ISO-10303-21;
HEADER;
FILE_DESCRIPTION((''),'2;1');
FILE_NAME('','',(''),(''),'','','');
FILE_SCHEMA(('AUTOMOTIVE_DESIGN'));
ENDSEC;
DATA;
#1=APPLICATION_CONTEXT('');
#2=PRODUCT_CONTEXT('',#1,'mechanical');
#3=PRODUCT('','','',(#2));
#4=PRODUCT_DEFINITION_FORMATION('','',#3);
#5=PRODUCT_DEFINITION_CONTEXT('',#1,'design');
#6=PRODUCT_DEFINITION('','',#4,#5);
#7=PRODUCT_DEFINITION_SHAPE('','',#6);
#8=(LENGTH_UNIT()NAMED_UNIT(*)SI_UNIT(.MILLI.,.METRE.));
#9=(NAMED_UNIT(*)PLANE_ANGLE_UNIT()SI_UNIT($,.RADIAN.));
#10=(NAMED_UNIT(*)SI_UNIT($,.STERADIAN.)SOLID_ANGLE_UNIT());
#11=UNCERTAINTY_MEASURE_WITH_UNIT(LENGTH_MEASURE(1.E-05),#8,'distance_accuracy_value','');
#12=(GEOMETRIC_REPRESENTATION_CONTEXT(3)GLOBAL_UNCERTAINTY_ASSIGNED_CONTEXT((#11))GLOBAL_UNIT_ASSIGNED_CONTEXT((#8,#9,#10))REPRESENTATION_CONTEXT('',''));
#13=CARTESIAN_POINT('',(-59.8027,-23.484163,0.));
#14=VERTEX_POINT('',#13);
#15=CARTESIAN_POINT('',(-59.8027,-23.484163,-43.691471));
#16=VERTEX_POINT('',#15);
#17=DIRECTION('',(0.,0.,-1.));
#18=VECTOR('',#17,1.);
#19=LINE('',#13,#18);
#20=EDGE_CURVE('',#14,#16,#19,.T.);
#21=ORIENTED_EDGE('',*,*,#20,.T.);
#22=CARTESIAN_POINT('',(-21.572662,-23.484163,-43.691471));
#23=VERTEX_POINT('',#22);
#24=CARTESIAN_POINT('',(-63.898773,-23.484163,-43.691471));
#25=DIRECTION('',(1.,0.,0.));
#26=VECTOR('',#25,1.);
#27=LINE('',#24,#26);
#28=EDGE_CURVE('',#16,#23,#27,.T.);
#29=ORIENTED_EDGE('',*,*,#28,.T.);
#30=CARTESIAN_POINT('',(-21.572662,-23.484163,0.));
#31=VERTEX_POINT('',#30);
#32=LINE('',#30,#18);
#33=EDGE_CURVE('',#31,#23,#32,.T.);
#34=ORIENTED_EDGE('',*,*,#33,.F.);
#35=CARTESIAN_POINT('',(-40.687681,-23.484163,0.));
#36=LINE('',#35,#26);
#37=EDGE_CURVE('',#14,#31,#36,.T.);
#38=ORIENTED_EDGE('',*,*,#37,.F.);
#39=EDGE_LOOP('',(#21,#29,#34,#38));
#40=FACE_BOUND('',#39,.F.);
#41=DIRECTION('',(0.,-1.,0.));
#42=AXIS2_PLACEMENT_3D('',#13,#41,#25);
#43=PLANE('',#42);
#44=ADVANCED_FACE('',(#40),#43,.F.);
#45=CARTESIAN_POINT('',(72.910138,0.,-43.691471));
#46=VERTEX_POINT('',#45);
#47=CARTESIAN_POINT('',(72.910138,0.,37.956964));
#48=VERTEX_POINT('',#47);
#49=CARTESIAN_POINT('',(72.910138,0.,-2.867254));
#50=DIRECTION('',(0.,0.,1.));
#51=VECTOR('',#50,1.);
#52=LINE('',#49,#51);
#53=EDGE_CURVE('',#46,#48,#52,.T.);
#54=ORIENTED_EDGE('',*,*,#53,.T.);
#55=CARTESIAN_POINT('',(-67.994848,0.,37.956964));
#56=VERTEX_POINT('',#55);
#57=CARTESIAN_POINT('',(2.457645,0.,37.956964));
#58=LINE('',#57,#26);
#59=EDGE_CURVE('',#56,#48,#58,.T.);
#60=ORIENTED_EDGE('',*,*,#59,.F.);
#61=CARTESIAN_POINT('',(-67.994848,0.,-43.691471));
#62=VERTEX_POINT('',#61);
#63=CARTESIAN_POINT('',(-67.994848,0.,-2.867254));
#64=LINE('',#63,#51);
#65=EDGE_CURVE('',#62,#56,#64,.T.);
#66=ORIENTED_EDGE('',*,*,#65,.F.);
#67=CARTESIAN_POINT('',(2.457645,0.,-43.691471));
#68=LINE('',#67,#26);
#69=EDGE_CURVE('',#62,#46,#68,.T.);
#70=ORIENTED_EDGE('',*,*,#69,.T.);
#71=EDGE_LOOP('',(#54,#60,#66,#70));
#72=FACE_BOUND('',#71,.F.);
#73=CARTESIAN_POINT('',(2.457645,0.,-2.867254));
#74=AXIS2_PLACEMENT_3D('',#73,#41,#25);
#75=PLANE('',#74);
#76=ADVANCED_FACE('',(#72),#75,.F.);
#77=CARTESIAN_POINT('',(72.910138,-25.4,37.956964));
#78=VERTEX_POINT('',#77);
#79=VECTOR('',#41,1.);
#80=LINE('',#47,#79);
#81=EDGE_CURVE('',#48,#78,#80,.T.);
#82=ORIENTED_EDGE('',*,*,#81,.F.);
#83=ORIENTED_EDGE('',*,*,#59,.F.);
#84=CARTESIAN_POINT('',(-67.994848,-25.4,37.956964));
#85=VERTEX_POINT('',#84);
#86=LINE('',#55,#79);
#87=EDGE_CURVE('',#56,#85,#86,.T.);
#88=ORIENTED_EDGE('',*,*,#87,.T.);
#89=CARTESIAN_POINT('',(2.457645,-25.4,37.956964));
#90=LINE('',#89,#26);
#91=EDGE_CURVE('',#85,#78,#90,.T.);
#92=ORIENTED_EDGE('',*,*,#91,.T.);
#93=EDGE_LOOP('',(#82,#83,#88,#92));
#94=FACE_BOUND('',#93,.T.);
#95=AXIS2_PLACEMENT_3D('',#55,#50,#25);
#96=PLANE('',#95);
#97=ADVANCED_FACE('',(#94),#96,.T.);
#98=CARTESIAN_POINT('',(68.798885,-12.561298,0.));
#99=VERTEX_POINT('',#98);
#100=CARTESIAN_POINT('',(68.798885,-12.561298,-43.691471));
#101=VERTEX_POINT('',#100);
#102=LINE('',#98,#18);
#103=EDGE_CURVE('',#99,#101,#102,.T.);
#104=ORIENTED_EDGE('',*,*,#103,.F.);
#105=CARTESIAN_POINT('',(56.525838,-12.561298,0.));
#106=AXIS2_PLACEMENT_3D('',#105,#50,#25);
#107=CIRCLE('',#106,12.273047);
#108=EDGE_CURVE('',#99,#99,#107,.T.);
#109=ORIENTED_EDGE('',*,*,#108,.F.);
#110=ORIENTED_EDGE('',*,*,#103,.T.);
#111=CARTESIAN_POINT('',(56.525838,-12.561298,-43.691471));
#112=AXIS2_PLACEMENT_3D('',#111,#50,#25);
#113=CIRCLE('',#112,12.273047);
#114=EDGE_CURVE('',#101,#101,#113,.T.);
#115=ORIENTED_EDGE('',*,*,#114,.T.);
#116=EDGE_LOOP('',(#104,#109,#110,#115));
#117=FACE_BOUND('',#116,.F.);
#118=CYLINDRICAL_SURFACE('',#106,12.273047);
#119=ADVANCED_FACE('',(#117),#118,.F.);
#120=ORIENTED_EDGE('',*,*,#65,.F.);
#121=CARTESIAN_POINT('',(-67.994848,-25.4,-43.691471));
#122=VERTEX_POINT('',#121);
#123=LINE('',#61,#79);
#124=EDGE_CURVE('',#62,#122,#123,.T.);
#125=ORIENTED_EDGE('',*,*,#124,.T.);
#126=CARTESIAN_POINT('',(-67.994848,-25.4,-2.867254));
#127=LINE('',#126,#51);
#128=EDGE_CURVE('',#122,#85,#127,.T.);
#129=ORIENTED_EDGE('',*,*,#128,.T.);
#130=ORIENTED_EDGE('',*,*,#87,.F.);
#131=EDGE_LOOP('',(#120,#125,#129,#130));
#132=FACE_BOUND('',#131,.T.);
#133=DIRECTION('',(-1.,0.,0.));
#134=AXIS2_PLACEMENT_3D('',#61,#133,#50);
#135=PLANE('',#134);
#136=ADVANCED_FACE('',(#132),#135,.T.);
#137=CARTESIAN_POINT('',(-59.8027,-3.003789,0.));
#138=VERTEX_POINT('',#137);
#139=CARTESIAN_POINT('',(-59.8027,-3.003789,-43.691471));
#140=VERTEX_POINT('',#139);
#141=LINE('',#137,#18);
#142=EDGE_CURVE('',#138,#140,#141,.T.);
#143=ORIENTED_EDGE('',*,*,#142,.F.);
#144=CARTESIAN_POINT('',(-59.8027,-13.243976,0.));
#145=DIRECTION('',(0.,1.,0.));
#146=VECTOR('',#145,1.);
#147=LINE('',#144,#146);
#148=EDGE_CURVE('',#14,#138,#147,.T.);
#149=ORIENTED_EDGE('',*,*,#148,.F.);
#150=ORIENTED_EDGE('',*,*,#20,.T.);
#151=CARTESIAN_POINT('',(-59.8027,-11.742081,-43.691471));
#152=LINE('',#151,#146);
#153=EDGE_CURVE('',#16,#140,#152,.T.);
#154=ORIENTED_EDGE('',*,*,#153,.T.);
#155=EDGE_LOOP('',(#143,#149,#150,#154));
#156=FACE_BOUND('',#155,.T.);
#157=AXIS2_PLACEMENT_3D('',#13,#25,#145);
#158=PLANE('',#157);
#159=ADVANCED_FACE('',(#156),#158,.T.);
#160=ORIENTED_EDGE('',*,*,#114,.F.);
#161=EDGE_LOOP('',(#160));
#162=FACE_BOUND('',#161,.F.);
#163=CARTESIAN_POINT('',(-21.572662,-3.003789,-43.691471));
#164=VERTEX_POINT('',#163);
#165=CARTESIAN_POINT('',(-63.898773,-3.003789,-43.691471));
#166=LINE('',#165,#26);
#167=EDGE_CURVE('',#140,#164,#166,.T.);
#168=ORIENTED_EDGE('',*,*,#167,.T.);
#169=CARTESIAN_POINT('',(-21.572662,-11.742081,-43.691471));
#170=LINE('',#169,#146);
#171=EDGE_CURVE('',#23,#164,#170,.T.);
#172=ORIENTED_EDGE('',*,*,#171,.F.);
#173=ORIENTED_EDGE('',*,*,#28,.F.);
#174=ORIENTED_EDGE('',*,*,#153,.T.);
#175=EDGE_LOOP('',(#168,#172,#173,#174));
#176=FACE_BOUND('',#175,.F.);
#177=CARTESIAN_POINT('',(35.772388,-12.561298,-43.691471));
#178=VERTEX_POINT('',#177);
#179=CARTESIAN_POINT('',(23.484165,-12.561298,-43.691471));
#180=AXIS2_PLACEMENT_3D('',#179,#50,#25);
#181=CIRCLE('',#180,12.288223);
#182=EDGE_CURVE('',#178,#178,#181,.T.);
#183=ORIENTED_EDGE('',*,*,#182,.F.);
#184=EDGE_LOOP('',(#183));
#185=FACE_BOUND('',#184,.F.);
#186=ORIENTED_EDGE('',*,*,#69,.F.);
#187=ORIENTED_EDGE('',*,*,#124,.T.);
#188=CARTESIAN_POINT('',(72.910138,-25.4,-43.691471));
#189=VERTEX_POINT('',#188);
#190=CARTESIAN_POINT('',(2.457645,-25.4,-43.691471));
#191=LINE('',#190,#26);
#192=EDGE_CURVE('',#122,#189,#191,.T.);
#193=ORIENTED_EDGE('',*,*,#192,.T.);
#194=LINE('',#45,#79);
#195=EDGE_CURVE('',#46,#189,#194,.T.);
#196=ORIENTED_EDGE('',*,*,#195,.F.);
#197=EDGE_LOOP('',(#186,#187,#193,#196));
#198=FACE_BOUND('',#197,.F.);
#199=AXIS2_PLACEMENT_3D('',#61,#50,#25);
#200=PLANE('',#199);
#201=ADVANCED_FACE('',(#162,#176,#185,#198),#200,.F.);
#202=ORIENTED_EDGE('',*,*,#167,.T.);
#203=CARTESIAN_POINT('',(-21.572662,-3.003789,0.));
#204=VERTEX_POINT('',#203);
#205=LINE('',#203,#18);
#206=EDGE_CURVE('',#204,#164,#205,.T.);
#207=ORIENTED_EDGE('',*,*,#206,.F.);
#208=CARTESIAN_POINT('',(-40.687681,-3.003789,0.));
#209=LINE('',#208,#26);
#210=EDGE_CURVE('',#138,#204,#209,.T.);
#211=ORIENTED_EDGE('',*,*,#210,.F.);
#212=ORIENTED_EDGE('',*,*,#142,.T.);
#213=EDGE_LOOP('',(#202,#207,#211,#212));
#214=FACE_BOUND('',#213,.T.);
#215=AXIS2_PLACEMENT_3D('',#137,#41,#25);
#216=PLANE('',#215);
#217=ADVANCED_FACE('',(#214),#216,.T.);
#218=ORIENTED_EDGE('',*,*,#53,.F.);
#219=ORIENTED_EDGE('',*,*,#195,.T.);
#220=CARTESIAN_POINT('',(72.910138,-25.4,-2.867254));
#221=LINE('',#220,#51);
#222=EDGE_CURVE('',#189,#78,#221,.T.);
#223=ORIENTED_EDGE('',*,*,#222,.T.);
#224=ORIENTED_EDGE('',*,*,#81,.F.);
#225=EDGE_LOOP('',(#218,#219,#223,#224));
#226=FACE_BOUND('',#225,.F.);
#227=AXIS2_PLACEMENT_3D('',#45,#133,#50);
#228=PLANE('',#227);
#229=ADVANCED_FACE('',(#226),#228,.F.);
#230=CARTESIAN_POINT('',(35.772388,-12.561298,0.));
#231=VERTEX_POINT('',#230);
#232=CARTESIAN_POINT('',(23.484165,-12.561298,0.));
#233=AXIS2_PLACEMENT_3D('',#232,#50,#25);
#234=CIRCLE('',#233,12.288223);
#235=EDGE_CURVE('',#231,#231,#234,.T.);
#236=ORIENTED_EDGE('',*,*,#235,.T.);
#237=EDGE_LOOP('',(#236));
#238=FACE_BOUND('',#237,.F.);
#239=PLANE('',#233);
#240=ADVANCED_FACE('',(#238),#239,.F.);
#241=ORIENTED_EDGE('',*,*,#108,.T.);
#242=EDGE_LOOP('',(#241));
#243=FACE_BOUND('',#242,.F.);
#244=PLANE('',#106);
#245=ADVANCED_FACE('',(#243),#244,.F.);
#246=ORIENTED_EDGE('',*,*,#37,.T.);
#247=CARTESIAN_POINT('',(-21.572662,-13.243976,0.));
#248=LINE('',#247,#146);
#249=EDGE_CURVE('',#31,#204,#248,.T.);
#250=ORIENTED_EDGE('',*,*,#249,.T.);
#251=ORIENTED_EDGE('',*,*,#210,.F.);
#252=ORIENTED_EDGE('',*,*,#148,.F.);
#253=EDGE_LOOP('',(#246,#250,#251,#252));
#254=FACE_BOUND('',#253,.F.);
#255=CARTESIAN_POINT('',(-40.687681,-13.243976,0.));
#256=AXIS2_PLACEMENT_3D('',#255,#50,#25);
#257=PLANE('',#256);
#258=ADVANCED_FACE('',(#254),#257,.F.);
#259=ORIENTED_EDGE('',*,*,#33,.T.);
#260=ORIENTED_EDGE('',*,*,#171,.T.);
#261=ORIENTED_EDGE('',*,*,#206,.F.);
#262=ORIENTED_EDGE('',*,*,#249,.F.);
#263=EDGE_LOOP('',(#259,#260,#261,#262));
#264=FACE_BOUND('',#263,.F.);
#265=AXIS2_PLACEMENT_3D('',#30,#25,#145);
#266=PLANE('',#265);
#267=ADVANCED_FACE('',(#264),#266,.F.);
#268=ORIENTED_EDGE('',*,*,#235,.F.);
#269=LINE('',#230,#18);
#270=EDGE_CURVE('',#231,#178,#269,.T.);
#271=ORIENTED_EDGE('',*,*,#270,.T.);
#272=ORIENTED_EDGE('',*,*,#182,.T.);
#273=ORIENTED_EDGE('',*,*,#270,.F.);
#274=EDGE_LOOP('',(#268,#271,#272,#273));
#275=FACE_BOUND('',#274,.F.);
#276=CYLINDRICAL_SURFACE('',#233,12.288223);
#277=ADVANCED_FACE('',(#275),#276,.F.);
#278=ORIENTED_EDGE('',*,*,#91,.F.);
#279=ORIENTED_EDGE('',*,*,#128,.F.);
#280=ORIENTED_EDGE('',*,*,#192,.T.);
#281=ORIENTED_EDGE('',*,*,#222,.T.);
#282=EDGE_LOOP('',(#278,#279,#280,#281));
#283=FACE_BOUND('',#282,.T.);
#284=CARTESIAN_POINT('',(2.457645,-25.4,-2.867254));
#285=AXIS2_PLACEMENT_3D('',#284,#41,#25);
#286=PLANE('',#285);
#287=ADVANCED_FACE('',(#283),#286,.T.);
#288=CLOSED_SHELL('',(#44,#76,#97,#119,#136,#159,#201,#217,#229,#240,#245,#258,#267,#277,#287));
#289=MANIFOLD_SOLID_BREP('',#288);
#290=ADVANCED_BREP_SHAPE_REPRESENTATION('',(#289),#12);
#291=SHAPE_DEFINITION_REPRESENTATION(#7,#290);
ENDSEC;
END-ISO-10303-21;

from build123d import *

# Parameters (mm, degrees)
F0_W     = 140.904985
F0_H     = 81.648435
F1_DEPTH = 25.4
F2_R     = 12.273047
F2_R_2   = 12.288223
F2_W     = 38.230037
F2_H     = 20.480374
F3_DEPTH = 43.692471


with BuildPart() as f1:
    # F0 (on Front) → F1 (new body)
    with BuildSketch(Plane.XZ):
        with Locations((2.457645, -2.867254)):
            Rectangle(F0_W, F0_H)
    extrude(amount=F1_DEPTH)

    # F2 (on Top) → F3 (cut, through all)
    with BuildSketch(Plane.XY):
        with Locations((56.525838, -12.561298)):
            Circle(F2_R)
        with Locations((23.484165, -12.561298)):
            Circle(F2_R_2)
        with Locations((-40.687681, -13.243976)):
            Rectangle(F2_W, F2_H)
    extrude(amount=-F3_DEPTH, mode=Mode.SUBTRACT)


solid = f1.part
